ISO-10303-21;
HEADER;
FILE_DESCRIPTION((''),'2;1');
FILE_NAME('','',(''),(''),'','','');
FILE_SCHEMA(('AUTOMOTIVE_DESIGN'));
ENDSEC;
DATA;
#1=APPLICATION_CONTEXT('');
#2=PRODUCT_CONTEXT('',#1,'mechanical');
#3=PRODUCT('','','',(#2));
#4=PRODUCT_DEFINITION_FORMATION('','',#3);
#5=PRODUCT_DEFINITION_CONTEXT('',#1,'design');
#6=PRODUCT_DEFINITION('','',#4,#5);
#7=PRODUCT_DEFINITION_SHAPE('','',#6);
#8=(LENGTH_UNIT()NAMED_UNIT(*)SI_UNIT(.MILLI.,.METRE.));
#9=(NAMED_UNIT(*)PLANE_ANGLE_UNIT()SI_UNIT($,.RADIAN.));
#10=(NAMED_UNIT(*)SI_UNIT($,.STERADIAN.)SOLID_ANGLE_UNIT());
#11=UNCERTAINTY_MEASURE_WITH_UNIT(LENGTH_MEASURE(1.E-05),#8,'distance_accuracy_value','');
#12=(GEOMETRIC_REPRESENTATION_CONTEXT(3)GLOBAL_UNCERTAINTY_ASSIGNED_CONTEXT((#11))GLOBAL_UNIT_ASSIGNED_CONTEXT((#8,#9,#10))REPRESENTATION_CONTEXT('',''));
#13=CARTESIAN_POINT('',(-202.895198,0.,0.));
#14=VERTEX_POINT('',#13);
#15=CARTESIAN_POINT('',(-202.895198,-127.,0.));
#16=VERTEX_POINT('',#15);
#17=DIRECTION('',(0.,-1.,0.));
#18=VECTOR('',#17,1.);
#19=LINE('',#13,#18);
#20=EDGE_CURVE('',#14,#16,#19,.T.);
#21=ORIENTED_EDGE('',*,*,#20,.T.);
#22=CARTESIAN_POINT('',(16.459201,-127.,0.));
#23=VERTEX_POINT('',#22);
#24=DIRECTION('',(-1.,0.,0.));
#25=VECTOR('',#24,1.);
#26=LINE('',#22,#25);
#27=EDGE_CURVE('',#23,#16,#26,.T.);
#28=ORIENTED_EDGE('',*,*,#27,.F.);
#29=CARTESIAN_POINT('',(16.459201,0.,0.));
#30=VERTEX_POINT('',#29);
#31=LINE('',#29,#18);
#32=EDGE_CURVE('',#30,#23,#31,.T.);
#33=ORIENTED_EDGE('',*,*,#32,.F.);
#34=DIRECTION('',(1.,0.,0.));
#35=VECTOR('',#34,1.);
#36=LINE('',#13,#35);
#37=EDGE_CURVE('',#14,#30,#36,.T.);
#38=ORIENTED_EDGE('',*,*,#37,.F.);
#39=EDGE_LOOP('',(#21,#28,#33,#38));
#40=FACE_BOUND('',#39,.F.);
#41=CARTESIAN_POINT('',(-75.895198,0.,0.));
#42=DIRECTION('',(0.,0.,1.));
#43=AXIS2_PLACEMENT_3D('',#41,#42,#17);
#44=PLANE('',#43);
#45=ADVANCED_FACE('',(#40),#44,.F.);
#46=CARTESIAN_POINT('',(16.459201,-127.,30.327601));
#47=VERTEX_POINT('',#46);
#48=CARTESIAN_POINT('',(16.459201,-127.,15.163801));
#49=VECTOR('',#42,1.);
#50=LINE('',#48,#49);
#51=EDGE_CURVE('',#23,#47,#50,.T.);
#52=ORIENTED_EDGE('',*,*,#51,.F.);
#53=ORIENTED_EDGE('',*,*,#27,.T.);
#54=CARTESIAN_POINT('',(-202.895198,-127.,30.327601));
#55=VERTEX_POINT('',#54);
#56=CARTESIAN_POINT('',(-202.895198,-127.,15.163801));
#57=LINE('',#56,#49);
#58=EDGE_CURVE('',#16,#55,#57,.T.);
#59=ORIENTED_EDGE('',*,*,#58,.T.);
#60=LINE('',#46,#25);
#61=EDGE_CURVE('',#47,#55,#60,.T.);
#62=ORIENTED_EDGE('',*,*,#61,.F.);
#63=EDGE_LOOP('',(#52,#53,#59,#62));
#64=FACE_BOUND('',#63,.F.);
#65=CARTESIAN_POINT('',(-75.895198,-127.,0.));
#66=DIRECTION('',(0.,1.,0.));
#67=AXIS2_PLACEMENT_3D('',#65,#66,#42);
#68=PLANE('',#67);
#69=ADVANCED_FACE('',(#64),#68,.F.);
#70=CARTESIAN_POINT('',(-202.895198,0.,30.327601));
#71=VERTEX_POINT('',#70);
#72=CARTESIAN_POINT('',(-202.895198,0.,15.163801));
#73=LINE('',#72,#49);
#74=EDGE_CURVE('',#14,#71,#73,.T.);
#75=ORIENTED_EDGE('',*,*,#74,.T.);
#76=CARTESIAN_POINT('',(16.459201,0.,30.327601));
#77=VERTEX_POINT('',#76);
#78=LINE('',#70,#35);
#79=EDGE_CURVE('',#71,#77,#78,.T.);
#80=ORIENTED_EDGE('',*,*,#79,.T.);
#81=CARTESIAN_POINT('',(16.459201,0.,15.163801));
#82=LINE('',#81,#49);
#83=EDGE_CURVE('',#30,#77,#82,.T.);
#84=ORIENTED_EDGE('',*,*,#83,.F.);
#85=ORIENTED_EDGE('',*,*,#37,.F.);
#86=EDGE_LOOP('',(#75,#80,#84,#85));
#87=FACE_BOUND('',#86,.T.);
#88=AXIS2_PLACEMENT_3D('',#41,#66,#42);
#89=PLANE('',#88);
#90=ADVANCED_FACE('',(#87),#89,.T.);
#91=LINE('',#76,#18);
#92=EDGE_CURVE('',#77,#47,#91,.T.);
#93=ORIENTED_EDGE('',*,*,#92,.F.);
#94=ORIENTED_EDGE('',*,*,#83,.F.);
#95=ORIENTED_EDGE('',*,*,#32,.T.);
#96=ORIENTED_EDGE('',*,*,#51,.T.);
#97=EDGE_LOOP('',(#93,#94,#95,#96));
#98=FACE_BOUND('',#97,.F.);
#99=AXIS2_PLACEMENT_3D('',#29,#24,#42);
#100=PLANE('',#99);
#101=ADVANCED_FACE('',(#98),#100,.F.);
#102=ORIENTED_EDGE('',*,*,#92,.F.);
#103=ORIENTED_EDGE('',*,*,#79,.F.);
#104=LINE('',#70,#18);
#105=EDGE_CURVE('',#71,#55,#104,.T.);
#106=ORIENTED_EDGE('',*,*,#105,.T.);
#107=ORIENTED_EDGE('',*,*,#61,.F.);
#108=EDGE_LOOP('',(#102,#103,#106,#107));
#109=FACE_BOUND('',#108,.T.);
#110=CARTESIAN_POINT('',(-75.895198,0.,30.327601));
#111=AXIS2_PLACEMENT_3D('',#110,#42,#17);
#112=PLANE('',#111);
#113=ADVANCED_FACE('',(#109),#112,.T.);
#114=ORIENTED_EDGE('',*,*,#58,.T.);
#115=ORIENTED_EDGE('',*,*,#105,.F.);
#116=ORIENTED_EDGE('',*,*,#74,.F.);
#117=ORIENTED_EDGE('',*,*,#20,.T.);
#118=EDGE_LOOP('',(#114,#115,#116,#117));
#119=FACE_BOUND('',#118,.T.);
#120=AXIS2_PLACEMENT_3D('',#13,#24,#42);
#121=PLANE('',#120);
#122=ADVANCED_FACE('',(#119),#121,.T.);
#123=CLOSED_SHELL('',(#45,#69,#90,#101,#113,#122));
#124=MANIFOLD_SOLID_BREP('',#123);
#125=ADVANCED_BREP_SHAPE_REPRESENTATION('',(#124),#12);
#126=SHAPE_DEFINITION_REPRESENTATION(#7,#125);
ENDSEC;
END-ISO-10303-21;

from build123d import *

# Parameters (mm, degrees)
F0_W     = 92.3543982208
F0_H     = 30.3276013583
F1_DEPTH = 127
F3_DEPTH = 127


with BuildPart() as f1:
    # F0 (on Front) → F1 (new body)
    with BuildSketch(Plane.XZ):
        with Locations((-29.7179985791, 15.1638006791)):
            Rectangle(F0_W, F0_H)
    extrude(amount=F1_DEPTH)

    # F3 (add): a face of the model
    f3_faces = [f1.faces().sort_by_distance(p)[0] for p in [
        (-75.8951976895, -63.5, 15.1638006791),
    ]]
    extrude(f3_faces, amount=F3_DEPTH)


solid = f1.part
